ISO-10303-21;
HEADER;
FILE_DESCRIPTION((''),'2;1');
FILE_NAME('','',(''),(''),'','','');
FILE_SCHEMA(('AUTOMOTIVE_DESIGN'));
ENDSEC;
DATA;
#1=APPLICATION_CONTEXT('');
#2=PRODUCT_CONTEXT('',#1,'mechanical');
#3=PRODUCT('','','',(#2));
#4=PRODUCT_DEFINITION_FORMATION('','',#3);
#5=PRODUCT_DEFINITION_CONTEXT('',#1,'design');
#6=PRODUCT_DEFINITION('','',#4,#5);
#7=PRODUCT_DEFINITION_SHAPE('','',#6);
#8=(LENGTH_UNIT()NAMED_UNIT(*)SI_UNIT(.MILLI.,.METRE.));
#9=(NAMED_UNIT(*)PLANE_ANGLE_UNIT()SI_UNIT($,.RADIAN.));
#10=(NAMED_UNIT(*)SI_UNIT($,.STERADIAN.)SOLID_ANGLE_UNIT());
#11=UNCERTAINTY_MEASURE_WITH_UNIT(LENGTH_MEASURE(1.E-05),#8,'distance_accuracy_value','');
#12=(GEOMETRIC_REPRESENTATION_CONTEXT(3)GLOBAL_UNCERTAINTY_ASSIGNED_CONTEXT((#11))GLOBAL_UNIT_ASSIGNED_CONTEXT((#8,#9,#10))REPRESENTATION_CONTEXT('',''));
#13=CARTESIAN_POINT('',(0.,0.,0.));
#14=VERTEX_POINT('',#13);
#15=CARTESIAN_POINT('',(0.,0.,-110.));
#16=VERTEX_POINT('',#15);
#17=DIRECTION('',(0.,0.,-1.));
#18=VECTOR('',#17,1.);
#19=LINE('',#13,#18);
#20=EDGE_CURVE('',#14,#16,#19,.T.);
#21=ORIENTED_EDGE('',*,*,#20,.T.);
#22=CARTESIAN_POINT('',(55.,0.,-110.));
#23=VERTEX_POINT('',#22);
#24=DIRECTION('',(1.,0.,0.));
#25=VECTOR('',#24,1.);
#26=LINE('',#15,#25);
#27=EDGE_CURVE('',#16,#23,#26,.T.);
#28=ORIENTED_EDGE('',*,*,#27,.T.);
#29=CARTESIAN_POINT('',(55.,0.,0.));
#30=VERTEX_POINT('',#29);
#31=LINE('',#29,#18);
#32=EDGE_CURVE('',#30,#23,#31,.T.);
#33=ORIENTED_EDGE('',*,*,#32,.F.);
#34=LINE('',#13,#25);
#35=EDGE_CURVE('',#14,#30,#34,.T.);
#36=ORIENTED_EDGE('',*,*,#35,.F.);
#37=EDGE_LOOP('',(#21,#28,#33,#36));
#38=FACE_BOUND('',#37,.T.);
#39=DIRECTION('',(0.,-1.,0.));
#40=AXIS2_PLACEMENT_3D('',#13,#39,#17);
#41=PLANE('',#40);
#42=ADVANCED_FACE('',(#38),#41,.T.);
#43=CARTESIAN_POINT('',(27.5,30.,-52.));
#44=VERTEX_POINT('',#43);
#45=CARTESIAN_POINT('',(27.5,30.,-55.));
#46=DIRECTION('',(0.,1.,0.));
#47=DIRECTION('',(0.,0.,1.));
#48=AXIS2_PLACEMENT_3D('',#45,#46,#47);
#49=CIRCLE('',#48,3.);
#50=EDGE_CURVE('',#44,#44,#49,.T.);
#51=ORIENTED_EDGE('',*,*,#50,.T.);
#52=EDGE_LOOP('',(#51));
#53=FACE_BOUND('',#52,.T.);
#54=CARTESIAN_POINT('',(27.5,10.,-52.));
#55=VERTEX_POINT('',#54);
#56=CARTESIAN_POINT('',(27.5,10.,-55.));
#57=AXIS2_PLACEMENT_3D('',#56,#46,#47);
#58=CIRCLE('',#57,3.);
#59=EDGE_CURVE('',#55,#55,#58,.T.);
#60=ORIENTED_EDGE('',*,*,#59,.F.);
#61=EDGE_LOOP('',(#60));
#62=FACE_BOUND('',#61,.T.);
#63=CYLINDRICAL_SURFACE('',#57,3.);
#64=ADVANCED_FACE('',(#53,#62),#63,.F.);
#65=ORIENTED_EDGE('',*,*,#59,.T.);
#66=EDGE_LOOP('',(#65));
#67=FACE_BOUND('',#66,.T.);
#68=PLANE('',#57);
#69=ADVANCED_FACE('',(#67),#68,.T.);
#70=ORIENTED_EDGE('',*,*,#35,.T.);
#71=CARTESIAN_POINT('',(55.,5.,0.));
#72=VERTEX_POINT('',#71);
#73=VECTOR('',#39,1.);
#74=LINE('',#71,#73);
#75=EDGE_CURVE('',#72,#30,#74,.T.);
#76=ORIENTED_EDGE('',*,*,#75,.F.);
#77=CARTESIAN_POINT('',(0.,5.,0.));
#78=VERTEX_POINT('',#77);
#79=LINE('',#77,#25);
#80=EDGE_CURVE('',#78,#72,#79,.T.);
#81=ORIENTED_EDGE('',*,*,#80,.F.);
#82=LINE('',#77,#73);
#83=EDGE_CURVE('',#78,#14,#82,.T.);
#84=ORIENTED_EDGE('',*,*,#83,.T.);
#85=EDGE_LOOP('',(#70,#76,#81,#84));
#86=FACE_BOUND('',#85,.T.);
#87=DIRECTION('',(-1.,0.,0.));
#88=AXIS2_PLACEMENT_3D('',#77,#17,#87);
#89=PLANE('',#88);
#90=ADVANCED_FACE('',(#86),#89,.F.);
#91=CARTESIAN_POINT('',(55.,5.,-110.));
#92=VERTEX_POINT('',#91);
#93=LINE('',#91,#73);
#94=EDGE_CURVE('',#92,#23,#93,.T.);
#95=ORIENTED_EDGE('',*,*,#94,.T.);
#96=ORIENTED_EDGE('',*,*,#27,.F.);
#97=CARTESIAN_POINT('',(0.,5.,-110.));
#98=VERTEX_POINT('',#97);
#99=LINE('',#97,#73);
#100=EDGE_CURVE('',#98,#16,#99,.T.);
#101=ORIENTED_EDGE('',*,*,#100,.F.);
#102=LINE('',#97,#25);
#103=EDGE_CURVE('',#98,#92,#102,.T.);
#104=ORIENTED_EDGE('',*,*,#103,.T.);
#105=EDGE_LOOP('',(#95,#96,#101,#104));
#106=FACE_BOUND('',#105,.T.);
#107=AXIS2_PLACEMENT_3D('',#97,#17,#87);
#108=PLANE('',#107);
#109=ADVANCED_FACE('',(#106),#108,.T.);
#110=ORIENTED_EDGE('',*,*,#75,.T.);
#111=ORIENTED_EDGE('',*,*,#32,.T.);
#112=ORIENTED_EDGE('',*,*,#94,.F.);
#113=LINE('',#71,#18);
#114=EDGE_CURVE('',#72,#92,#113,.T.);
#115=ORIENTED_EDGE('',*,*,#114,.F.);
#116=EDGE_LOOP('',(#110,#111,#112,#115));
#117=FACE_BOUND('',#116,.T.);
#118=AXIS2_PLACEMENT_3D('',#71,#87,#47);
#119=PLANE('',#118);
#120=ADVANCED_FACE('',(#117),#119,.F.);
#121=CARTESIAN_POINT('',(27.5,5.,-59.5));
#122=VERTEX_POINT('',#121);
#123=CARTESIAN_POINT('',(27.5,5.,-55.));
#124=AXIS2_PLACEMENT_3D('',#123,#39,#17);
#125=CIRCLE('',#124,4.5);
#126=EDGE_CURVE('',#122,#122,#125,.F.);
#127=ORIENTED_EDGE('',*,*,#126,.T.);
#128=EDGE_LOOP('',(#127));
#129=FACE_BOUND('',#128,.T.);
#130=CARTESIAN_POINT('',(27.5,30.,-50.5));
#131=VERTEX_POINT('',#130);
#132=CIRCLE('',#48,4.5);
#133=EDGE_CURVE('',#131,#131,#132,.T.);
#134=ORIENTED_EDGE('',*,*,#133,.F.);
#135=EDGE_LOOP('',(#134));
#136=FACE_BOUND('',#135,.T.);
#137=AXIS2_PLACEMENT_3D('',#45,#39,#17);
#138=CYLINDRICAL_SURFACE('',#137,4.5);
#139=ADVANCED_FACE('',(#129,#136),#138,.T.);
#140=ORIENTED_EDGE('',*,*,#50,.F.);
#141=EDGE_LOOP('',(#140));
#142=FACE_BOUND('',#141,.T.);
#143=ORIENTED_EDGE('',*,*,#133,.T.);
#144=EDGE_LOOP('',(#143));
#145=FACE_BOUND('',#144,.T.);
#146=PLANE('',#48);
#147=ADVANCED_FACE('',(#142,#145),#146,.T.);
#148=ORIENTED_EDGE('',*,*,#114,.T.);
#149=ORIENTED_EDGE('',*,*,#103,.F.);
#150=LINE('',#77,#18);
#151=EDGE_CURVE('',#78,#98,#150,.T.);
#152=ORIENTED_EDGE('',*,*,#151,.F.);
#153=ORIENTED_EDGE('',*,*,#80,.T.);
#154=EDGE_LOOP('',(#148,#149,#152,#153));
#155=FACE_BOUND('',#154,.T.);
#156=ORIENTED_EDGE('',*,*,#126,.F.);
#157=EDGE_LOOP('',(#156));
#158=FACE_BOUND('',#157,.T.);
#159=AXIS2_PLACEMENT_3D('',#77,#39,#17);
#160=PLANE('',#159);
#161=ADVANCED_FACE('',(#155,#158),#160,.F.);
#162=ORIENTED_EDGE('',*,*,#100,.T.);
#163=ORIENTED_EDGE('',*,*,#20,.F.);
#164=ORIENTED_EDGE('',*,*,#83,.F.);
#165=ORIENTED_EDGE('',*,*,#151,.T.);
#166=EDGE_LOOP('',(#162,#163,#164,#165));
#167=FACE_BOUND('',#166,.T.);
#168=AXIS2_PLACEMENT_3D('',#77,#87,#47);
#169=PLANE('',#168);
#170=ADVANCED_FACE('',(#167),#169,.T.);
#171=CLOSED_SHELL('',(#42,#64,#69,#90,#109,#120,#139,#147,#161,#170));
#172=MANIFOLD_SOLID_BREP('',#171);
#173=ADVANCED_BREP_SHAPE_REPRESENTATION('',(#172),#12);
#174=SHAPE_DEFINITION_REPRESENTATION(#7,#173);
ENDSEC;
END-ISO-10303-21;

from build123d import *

# Parameters (mm, degrees)
SKETCH1_W           = 55
SKETCH1_H           = 110
BOSS_EXTRUDE3_DEPTH = 5
SKETCH3_R           = 4.5
BOSS_EXTRUDE4_DEPTH = 25
SKETCH4_R           = 3
CUT_EXTRUDE1_DEPTH  = 20


with BuildPart() as part:
    # Sketch1 → Boss-Extrude3 (new body)
    with BuildSketch(Plane(origin=(0, 0, 0), x_dir=(1, 0, 0), z_dir=(0, 1, 0))):
        with Locations((27.5, 55)):
            Rectangle(SKETCH1_W, SKETCH1_H)
    extrude(amount=BOSS_EXTRUDE3_DEPTH)

    # Sketch3 → Boss-Extrude4 (add)
    with BuildSketch(Plane(origin=(0, 5, 0), x_dir=(1, 0, 0), z_dir=(0, 1, 0))):
        with Locations((27.5, 55)):
            Circle(SKETCH3_R)
    extrude(amount=BOSS_EXTRUDE4_DEPTH)

    # Sketch4 → Cut-Extrude1 (cut)
    with BuildSketch(Plane(origin=(0, 30, 0), x_dir=(1, 0, 0), z_dir=(0, 1, 0))):
        with Locations((27.5, 55)):
            Circle(SKETCH4_R)
    extrude(amount=-CUT_EXTRUDE1_DEPTH, mode=Mode.SUBTRACT)


solid = part.part
